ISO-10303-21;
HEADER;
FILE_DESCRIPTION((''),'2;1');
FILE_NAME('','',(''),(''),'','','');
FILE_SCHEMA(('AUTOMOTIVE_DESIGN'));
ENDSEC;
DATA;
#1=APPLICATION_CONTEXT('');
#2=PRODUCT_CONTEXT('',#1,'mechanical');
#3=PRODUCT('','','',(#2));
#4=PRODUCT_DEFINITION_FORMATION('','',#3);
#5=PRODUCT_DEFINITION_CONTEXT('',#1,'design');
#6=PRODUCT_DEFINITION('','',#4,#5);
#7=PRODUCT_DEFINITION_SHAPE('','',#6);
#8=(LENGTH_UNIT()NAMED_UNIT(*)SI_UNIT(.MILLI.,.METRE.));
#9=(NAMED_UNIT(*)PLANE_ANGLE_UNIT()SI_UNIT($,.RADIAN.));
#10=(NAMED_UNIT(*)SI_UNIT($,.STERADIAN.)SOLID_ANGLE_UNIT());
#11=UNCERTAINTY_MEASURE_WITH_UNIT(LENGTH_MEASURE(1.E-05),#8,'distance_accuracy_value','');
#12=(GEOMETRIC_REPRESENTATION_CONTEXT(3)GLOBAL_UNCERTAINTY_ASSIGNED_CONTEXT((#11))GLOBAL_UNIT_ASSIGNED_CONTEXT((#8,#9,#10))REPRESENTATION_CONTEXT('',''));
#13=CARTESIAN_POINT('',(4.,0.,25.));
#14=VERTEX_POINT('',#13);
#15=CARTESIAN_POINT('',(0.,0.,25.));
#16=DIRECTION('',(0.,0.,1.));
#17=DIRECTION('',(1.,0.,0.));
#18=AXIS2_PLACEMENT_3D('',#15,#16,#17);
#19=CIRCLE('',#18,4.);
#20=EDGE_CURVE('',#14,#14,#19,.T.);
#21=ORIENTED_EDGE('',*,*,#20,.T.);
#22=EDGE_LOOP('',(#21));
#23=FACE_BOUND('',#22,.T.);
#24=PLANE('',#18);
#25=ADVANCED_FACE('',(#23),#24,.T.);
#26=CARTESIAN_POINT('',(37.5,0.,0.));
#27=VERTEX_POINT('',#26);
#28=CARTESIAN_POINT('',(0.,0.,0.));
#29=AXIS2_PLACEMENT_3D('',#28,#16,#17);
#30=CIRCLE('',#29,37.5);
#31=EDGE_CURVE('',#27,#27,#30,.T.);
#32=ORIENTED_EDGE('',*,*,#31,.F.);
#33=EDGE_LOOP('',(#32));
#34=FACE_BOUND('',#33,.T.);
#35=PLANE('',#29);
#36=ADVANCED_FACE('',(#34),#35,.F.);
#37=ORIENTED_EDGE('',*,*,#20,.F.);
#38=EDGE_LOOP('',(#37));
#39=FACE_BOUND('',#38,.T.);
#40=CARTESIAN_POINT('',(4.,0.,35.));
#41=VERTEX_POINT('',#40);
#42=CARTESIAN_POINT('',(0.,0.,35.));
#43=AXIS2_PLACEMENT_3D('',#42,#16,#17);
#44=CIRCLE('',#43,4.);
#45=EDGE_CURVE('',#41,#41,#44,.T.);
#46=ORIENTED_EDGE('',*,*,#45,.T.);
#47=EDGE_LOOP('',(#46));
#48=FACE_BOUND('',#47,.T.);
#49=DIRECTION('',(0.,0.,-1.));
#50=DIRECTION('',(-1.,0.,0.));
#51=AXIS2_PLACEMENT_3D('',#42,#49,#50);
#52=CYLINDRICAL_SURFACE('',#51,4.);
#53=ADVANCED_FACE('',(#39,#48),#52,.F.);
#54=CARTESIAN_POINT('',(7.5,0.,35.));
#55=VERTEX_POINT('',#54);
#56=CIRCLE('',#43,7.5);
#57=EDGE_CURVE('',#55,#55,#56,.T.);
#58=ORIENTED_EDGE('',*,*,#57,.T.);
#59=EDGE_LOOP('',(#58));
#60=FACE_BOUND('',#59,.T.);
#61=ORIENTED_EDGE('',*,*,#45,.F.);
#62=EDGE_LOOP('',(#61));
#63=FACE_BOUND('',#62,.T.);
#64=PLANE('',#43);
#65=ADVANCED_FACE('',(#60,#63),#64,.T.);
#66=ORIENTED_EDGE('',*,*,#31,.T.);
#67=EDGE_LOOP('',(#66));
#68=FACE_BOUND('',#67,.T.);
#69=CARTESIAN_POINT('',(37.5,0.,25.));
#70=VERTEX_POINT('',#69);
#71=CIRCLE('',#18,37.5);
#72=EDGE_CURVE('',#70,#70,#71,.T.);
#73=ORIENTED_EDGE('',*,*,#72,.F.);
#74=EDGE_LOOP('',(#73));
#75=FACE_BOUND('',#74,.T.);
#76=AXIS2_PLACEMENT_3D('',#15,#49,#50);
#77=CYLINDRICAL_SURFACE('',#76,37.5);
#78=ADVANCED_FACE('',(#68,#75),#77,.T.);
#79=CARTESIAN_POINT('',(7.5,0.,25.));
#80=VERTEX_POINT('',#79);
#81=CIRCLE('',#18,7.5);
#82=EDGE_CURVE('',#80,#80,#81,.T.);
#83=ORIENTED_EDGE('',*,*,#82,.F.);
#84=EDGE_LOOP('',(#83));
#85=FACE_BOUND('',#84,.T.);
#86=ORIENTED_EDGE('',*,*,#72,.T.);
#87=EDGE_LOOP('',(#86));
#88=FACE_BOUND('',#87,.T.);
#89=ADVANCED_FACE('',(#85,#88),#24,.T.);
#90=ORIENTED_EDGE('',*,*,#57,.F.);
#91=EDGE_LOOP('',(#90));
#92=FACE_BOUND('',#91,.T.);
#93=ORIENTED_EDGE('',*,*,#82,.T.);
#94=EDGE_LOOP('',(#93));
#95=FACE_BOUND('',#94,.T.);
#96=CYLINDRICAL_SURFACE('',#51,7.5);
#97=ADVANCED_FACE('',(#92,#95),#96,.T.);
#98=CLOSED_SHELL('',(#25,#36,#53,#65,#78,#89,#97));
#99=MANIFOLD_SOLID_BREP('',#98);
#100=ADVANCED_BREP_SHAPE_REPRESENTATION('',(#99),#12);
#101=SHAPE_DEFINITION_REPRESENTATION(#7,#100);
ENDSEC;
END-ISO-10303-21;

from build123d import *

# Parameters (mm, degrees)
SKETCH1_R           = 37.5
BOSS_EXTRUDE1_DEPTH = 25
SKETCH2_R           = 7.5
SKETCH2_R_2         = 4
BOSS_EXTRUDE2_DEPTH = 10


with BuildPart() as part:
    # Sketch1 → Boss-Extrude1 (new body)
    with BuildSketch(Plane.XY):
        Circle(SKETCH1_R)
    extrude(amount=BOSS_EXTRUDE1_DEPTH)

    # Sketch2 → Boss-Extrude2 (add)
    with BuildSketch(Plane.XY.offset(25)):
        Circle(SKETCH2_R)
        Circle(SKETCH2_R_2, mode=Mode.SUBTRACT)
    extrude(amount=BOSS_EXTRUDE2_DEPTH)


solid = part.part
